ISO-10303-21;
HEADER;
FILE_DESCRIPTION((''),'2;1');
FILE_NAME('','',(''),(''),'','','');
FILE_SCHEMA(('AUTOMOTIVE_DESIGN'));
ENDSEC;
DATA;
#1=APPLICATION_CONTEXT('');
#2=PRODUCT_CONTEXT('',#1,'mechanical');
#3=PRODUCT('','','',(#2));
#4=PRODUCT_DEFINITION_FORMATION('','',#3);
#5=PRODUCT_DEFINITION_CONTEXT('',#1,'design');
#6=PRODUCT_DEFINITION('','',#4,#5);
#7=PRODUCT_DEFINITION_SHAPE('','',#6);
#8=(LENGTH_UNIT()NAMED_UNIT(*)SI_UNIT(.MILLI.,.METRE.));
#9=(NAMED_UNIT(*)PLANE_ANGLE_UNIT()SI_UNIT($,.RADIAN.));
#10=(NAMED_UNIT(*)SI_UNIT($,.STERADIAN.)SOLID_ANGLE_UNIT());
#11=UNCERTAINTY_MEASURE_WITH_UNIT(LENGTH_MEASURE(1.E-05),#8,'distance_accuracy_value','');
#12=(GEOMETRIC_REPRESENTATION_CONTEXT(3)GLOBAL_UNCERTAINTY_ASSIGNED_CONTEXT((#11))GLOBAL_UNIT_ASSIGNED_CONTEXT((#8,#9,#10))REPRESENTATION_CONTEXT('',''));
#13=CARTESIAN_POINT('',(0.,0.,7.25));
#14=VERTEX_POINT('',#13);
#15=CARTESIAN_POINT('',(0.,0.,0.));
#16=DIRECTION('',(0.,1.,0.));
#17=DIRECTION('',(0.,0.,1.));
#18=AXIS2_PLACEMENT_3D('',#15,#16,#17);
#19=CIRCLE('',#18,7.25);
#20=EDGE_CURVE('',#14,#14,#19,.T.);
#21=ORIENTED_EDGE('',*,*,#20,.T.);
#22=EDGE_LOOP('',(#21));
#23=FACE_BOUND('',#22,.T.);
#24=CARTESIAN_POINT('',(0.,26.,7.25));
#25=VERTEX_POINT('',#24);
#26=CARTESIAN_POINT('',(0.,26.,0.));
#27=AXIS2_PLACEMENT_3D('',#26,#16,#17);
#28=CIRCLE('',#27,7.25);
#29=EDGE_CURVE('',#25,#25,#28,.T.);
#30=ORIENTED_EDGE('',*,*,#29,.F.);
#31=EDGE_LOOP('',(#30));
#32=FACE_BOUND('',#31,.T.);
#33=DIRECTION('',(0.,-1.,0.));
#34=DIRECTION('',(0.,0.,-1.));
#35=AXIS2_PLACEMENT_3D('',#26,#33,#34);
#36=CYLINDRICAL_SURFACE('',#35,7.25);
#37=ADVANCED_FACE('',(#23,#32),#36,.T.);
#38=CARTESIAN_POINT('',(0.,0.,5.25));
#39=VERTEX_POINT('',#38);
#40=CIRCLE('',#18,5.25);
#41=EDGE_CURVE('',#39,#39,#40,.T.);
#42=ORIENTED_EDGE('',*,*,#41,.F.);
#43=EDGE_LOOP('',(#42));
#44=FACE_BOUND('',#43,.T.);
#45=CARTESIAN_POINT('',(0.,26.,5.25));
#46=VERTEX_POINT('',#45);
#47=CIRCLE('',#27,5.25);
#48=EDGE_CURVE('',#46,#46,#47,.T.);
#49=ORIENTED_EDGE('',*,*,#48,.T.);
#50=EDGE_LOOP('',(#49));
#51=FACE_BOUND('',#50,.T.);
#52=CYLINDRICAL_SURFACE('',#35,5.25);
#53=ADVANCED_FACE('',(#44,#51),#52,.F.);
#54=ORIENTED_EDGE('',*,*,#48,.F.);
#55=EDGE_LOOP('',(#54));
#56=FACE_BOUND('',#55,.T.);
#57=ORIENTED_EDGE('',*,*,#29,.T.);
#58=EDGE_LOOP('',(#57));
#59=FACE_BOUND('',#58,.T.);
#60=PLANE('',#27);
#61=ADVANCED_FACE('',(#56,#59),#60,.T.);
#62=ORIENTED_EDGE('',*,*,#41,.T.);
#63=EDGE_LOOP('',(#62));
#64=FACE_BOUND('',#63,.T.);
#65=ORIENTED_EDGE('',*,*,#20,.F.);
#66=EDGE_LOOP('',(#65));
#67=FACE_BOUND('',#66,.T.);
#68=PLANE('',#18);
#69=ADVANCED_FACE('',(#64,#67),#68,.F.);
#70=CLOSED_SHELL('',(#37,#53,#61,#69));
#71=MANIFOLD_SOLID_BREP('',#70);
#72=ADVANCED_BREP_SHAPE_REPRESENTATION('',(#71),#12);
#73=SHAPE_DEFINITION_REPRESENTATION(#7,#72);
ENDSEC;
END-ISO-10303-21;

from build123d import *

# Parameters (mm, degrees)
CROQUIS1_R              = 7.25
CROQUIS1_R_2            = 5.25
SALIENTE_EXTRUIR1_DEPTH = 26


with BuildPart() as part:
    # Croquis1 → Saliente-Extruir1 (new body)
    with BuildSketch(Plane(origin=(0, 0, 0), x_dir=(1, 0, 0), z_dir=(0, 1, 0))):
        Circle(CROQUIS1_R)
        Circle(CROQUIS1_R_2, mode=Mode.SUBTRACT)
    extrude(amount=SALIENTE_EXTRUIR1_DEPTH)


solid = part.part
